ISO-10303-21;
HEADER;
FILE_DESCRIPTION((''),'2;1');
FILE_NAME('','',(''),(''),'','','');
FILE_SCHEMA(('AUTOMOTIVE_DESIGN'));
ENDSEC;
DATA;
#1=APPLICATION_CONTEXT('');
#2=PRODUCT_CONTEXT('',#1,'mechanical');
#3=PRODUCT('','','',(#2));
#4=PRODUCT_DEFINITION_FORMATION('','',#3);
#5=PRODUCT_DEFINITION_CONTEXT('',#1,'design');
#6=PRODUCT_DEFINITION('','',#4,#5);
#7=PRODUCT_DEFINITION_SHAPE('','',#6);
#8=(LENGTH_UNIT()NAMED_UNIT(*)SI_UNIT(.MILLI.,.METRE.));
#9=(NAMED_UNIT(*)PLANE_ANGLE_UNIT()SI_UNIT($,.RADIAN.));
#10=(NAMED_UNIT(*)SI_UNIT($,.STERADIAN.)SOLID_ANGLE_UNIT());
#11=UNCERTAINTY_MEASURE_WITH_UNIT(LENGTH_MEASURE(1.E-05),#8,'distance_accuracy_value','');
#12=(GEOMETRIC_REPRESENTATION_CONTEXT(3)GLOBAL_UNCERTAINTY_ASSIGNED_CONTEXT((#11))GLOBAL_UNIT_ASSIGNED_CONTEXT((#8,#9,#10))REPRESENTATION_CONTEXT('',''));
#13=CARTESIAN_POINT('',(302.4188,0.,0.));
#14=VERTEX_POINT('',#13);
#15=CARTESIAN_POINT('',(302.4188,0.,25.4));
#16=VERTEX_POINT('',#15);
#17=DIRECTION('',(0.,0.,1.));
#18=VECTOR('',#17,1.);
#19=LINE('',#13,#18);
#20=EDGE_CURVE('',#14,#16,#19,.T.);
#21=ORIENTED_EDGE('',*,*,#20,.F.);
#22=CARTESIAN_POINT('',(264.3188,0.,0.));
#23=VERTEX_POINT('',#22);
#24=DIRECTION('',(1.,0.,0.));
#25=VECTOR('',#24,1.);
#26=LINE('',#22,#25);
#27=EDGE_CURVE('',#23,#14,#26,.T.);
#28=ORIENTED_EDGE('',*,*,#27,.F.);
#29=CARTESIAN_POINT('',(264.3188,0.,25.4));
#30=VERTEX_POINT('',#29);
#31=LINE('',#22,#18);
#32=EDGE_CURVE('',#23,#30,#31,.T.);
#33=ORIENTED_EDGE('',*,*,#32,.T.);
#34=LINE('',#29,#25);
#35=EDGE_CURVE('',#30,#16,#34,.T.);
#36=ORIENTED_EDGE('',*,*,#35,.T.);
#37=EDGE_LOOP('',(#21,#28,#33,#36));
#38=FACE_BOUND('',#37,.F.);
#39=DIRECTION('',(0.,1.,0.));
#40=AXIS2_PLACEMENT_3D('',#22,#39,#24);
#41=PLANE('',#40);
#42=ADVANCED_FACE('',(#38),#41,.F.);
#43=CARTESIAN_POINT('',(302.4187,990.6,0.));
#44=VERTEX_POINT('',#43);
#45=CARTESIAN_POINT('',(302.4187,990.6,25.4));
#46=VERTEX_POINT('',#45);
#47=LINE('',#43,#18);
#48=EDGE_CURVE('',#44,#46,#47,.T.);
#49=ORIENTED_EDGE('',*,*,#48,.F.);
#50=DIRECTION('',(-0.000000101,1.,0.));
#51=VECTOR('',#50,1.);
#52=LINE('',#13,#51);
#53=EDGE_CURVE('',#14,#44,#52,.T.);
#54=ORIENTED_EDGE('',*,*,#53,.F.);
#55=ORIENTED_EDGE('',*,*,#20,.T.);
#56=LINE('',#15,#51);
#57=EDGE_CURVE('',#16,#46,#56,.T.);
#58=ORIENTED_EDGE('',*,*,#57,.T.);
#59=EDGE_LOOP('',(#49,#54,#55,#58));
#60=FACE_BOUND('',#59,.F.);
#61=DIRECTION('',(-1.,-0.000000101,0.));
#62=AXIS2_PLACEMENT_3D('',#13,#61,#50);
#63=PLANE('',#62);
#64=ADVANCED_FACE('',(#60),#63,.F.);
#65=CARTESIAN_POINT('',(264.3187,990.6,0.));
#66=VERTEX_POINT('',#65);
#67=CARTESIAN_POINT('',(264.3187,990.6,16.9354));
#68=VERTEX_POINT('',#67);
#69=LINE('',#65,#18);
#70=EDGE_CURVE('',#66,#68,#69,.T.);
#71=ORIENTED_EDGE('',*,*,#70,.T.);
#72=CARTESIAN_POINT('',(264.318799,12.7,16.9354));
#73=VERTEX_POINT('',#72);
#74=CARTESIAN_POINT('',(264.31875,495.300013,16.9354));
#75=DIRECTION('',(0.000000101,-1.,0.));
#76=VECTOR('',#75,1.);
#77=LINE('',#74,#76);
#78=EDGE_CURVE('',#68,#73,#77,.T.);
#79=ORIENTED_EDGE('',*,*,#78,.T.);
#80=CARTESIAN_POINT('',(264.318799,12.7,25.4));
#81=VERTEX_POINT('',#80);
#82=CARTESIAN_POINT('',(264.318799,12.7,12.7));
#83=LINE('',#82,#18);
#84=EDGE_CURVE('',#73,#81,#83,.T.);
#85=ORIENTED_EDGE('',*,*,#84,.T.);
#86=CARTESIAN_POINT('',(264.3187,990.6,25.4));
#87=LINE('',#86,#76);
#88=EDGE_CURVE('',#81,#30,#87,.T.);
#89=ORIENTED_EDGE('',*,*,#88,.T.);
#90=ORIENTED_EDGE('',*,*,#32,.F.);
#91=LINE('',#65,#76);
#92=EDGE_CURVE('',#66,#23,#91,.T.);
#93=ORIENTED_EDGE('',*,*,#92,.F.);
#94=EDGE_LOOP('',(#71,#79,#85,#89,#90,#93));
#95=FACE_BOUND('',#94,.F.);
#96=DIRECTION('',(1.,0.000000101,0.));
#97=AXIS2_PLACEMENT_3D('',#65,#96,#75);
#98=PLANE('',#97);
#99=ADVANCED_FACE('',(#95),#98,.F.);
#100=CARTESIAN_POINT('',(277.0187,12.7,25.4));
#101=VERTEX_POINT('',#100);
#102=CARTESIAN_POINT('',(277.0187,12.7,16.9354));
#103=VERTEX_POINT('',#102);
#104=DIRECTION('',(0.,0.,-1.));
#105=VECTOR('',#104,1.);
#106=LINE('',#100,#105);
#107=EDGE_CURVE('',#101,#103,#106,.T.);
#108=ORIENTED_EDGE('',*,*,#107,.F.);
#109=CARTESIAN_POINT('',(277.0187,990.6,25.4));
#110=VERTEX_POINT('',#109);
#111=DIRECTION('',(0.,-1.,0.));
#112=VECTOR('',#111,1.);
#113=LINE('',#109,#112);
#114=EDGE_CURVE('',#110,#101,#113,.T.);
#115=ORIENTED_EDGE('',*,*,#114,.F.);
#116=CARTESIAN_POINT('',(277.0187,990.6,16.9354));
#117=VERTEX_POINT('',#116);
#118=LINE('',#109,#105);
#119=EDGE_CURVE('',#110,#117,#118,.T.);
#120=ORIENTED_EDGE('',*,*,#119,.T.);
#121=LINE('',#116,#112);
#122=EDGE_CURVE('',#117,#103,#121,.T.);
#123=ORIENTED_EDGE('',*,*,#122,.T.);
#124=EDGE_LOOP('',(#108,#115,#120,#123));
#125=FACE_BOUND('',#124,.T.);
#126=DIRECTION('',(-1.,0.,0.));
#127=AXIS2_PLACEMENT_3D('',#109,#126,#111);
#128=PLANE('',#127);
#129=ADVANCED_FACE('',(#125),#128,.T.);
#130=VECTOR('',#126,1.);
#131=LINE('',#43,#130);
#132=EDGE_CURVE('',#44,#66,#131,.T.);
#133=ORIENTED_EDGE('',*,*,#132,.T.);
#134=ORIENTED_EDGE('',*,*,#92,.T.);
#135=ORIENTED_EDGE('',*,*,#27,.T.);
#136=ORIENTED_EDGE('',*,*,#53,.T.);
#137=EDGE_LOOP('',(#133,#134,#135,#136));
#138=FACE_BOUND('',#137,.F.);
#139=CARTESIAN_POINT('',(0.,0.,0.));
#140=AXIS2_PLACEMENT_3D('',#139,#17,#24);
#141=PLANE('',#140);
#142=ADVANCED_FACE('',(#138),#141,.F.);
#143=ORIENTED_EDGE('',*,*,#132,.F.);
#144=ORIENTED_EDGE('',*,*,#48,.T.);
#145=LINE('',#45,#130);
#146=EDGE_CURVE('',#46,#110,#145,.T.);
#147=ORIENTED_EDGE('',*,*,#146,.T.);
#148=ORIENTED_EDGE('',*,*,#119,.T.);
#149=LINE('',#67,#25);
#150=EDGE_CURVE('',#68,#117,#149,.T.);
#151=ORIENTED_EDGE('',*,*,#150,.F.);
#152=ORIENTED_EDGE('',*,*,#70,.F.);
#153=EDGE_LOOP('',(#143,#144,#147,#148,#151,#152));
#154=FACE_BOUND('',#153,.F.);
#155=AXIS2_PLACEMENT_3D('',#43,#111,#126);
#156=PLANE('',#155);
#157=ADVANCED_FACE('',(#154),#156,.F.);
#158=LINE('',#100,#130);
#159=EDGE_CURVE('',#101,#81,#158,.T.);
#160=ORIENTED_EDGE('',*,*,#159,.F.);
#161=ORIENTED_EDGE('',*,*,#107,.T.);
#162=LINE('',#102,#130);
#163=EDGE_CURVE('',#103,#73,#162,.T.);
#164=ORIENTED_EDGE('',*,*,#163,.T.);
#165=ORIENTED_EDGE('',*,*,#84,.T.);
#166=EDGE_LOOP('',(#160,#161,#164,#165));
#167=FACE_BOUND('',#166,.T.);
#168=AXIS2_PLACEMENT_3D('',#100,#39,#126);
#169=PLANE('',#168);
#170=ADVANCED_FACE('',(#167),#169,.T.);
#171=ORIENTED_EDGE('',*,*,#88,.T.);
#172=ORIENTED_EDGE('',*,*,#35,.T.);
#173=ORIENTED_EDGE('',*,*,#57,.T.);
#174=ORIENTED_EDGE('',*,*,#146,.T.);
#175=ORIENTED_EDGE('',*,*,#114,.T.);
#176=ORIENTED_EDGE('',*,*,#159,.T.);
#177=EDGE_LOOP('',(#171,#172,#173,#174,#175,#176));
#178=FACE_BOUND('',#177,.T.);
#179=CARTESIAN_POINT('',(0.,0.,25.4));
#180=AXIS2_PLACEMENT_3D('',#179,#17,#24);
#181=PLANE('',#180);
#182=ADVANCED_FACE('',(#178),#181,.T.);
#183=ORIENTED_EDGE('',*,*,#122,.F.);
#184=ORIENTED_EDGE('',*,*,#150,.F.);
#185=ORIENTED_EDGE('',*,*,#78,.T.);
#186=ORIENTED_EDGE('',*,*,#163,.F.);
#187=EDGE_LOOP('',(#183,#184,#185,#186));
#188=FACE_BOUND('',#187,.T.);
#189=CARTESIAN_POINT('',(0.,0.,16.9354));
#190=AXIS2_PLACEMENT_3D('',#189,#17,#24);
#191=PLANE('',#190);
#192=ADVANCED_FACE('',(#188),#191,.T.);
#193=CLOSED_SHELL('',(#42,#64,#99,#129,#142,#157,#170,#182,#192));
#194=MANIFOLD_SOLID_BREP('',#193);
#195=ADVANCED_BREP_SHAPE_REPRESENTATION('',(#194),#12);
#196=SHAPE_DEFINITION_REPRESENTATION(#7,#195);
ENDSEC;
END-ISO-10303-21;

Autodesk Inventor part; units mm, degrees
ref_plane "YZ Plane" through (0, 0, 0) normal (1, 0, 0) x (0, 1, 0)
ref_plane "XZ Plane" through (0, 0, 0) normal (0, 1, 0) x (-1, 0, 0)
ref_plane "XY Plane" through (0, 0, 0) normal (0, 0, 1) x (1, 0, 0)
ref_plane "Work Plane1" through (0, 0, 0) normal (0, 0, 1) x (1, 0, 0)
sketch "Sketch1" plane through (0, 0, 0) normal (0, 0, 1) x (1, 0, 0)
  line L0 (302.4187, 990.6) -> (264.3187, 990.6)
  line L1 (264.3187, 990.6) -> (264.3188, 0)
  line L2 (264.3188, 0) -> (302.4188, 0)
  line L3 (302.4188, 0) -> (302.4187, 990.6)
  point P0 (0, 0)
  dimension "d0" = 990.6
  dimension "d2" = 38.1
extrude "Extrusion1" add sketch "Sketch1" along normal blind 25.4
sketch "Sketch3" plane through (0, 0, 25.4) normal (0, 0, 1) x (1, 0, 0)
  line L0 (264.3187, 990.6) -> (277.0187, 990.6)
  line L1 (277.0187, 990.6) -> (277.0187, 12.7)
  line L2 (277.0187, 12.7) -> (264.3187, 12.7)
  line L3 (264.3187, 12.7) -> (264.3187, 990.6)
  point P0 (0, 0)
  dimension "d10" = 12.7
  dimension "d11" = 977.9
extrude "Extrusion3" cut sketch "Sketch3" against normal blind 8.4646
equation "\"d0\" = 0.5 * signH"
equation "\"d2\" = borderW"
equation "\"d3\" = borderH"
equation "\"d10\" = panelLap"
equation "\"d11\" = 0.5 * signH - panelLap"
equation "\"d12\" = panelH + velcroH + panelHClear"
equation "\"signH\" = 1981.2"
equation "\"borderW\" = 38.1"
equation "\"borderH\" = 25.4"
equation "\"velcroH\" = 2.54"
equation "\"panelH\" = 5.1308"
equation "\"panelHClear\" = 0.79375"
equation "\"panelLap\" = 12.7"
properties part number "SideborderInverse"
